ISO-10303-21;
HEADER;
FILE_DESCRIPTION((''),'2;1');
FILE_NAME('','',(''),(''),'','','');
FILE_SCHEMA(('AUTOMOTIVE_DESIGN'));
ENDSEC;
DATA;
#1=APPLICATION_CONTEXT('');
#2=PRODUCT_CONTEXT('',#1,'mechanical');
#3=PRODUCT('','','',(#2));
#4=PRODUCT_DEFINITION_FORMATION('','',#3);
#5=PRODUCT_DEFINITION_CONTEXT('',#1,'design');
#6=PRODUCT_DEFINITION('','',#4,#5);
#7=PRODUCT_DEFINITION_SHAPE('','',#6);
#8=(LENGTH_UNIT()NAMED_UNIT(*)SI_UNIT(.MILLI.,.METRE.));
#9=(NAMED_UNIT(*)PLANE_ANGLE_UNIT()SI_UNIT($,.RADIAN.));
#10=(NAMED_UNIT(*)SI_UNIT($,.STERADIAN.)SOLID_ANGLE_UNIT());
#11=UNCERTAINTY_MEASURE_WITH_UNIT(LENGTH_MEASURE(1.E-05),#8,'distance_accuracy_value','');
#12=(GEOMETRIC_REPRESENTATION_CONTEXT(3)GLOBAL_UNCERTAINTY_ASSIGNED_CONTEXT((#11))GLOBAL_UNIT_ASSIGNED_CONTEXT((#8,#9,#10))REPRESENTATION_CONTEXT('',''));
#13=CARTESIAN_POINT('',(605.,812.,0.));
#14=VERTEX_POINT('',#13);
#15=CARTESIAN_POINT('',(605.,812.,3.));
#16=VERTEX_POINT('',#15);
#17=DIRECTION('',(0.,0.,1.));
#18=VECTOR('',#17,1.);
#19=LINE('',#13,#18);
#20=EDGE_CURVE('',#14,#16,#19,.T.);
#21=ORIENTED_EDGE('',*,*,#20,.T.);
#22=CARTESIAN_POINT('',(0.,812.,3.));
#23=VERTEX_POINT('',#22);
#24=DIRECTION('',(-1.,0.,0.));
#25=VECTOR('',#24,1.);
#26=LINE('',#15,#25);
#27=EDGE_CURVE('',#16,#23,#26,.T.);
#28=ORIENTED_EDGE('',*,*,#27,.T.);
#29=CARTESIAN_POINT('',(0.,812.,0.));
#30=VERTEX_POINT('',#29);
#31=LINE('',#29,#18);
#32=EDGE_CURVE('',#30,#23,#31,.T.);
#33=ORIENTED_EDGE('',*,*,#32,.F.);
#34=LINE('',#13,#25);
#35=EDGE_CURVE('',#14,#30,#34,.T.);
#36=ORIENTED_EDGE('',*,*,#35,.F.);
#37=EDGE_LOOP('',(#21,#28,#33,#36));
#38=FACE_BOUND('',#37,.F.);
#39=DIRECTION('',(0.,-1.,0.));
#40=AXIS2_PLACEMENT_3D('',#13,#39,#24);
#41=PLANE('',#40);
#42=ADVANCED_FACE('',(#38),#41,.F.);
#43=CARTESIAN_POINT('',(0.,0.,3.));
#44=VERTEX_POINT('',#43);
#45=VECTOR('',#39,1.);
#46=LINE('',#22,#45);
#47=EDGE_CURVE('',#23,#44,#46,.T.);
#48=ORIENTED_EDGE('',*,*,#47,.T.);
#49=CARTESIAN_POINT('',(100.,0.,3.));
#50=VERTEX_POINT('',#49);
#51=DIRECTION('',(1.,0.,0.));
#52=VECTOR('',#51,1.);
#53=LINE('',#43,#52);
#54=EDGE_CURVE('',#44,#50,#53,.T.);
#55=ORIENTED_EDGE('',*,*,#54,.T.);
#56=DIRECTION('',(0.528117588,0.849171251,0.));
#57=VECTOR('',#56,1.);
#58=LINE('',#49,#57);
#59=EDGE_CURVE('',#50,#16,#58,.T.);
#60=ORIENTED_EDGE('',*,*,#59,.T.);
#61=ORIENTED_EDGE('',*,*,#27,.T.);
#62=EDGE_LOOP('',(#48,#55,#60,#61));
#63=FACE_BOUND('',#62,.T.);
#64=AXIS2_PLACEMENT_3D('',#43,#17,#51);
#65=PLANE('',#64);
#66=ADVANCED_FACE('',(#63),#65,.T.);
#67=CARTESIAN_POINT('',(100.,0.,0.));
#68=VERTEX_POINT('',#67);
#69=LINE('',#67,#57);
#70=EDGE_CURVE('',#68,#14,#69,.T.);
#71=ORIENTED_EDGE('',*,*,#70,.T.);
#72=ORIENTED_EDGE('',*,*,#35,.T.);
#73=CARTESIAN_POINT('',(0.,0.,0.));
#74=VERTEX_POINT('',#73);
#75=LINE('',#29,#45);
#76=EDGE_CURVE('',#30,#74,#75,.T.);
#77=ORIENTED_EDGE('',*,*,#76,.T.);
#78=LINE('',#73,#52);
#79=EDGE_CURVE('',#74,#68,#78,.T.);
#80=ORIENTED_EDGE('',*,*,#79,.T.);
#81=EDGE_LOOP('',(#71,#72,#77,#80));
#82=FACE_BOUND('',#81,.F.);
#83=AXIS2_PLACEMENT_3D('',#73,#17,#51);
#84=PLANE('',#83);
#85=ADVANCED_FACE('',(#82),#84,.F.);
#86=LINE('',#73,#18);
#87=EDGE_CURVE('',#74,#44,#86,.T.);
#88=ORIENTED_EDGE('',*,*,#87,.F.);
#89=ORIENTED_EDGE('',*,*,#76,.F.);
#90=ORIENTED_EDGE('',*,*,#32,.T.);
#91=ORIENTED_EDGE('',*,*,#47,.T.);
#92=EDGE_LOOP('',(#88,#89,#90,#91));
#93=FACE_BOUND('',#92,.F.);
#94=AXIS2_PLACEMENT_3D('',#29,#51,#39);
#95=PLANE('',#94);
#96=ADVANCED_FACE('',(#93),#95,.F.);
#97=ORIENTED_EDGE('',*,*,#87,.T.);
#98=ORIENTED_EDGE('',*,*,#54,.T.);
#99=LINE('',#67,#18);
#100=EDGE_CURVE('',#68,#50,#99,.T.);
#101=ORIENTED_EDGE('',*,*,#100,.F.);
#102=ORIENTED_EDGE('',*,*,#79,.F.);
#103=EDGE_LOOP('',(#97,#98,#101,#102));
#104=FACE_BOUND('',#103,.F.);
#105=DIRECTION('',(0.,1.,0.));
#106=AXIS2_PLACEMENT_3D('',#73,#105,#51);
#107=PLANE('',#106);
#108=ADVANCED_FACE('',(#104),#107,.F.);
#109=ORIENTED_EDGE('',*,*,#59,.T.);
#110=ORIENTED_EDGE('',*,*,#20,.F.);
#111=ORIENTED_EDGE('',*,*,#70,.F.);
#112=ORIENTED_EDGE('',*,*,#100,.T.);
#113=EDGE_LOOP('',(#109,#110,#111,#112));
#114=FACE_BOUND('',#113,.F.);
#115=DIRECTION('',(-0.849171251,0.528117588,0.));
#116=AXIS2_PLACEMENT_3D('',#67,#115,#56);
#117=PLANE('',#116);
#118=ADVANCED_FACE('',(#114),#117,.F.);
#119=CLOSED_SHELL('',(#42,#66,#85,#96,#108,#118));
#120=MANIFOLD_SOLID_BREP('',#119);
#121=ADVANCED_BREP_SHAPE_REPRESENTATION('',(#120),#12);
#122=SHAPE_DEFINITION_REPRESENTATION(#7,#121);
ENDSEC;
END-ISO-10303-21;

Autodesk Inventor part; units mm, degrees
ref_plane "YZ Plane" through (0, 0, 0) normal (1, 0, 0) x (0, 1, 0)
ref_plane "XZ Plane" through (0, 0, 0) normal (0, 1, 0) x (-1, 0, 0)
ref_plane "XY Plane" through (0, 0, 0) normal (0, 0, 1) x (1, 0, 0)
sketch "Sketch5" plane through (0, 0, 0) normal (0, 0, 1) x (1, 0, 0)
  line L0 (0, 0) -> (100, 0)
  line L1 (100, 0) -> (605, 812)
  line L2 (605, 812) -> (0, 812)
  line L3 (0, 812) -> (0, 0)
  dimension "d37" = 100
  dimension "d38" = 812
  dimension "d39" = 605
extrude "Plate4" add sketch "Sketch5" along normal blind 3
equation "\"d28\" = Thickness"
equation "\"BendReliefWidth\" = Thickness"
equation "\"BendReliefDepth\" = 0.5 * Thickness"
equation "\"CornerReliefSize\" = 4 * Thickness"
equation "\"MinimumRemnant\" = 2 * Thickness"
equation "\"TransitionRadius\" = BendRadius"
equation "\"JacobiRadiusSize\" = BendRadius"
equation "\"GapSize\" = Thickness"
equation "\"Thickness\" = 3"
equation "\"BendRadius\" = 5"
properties part number "BSH 016 cone" material "09g2s"
